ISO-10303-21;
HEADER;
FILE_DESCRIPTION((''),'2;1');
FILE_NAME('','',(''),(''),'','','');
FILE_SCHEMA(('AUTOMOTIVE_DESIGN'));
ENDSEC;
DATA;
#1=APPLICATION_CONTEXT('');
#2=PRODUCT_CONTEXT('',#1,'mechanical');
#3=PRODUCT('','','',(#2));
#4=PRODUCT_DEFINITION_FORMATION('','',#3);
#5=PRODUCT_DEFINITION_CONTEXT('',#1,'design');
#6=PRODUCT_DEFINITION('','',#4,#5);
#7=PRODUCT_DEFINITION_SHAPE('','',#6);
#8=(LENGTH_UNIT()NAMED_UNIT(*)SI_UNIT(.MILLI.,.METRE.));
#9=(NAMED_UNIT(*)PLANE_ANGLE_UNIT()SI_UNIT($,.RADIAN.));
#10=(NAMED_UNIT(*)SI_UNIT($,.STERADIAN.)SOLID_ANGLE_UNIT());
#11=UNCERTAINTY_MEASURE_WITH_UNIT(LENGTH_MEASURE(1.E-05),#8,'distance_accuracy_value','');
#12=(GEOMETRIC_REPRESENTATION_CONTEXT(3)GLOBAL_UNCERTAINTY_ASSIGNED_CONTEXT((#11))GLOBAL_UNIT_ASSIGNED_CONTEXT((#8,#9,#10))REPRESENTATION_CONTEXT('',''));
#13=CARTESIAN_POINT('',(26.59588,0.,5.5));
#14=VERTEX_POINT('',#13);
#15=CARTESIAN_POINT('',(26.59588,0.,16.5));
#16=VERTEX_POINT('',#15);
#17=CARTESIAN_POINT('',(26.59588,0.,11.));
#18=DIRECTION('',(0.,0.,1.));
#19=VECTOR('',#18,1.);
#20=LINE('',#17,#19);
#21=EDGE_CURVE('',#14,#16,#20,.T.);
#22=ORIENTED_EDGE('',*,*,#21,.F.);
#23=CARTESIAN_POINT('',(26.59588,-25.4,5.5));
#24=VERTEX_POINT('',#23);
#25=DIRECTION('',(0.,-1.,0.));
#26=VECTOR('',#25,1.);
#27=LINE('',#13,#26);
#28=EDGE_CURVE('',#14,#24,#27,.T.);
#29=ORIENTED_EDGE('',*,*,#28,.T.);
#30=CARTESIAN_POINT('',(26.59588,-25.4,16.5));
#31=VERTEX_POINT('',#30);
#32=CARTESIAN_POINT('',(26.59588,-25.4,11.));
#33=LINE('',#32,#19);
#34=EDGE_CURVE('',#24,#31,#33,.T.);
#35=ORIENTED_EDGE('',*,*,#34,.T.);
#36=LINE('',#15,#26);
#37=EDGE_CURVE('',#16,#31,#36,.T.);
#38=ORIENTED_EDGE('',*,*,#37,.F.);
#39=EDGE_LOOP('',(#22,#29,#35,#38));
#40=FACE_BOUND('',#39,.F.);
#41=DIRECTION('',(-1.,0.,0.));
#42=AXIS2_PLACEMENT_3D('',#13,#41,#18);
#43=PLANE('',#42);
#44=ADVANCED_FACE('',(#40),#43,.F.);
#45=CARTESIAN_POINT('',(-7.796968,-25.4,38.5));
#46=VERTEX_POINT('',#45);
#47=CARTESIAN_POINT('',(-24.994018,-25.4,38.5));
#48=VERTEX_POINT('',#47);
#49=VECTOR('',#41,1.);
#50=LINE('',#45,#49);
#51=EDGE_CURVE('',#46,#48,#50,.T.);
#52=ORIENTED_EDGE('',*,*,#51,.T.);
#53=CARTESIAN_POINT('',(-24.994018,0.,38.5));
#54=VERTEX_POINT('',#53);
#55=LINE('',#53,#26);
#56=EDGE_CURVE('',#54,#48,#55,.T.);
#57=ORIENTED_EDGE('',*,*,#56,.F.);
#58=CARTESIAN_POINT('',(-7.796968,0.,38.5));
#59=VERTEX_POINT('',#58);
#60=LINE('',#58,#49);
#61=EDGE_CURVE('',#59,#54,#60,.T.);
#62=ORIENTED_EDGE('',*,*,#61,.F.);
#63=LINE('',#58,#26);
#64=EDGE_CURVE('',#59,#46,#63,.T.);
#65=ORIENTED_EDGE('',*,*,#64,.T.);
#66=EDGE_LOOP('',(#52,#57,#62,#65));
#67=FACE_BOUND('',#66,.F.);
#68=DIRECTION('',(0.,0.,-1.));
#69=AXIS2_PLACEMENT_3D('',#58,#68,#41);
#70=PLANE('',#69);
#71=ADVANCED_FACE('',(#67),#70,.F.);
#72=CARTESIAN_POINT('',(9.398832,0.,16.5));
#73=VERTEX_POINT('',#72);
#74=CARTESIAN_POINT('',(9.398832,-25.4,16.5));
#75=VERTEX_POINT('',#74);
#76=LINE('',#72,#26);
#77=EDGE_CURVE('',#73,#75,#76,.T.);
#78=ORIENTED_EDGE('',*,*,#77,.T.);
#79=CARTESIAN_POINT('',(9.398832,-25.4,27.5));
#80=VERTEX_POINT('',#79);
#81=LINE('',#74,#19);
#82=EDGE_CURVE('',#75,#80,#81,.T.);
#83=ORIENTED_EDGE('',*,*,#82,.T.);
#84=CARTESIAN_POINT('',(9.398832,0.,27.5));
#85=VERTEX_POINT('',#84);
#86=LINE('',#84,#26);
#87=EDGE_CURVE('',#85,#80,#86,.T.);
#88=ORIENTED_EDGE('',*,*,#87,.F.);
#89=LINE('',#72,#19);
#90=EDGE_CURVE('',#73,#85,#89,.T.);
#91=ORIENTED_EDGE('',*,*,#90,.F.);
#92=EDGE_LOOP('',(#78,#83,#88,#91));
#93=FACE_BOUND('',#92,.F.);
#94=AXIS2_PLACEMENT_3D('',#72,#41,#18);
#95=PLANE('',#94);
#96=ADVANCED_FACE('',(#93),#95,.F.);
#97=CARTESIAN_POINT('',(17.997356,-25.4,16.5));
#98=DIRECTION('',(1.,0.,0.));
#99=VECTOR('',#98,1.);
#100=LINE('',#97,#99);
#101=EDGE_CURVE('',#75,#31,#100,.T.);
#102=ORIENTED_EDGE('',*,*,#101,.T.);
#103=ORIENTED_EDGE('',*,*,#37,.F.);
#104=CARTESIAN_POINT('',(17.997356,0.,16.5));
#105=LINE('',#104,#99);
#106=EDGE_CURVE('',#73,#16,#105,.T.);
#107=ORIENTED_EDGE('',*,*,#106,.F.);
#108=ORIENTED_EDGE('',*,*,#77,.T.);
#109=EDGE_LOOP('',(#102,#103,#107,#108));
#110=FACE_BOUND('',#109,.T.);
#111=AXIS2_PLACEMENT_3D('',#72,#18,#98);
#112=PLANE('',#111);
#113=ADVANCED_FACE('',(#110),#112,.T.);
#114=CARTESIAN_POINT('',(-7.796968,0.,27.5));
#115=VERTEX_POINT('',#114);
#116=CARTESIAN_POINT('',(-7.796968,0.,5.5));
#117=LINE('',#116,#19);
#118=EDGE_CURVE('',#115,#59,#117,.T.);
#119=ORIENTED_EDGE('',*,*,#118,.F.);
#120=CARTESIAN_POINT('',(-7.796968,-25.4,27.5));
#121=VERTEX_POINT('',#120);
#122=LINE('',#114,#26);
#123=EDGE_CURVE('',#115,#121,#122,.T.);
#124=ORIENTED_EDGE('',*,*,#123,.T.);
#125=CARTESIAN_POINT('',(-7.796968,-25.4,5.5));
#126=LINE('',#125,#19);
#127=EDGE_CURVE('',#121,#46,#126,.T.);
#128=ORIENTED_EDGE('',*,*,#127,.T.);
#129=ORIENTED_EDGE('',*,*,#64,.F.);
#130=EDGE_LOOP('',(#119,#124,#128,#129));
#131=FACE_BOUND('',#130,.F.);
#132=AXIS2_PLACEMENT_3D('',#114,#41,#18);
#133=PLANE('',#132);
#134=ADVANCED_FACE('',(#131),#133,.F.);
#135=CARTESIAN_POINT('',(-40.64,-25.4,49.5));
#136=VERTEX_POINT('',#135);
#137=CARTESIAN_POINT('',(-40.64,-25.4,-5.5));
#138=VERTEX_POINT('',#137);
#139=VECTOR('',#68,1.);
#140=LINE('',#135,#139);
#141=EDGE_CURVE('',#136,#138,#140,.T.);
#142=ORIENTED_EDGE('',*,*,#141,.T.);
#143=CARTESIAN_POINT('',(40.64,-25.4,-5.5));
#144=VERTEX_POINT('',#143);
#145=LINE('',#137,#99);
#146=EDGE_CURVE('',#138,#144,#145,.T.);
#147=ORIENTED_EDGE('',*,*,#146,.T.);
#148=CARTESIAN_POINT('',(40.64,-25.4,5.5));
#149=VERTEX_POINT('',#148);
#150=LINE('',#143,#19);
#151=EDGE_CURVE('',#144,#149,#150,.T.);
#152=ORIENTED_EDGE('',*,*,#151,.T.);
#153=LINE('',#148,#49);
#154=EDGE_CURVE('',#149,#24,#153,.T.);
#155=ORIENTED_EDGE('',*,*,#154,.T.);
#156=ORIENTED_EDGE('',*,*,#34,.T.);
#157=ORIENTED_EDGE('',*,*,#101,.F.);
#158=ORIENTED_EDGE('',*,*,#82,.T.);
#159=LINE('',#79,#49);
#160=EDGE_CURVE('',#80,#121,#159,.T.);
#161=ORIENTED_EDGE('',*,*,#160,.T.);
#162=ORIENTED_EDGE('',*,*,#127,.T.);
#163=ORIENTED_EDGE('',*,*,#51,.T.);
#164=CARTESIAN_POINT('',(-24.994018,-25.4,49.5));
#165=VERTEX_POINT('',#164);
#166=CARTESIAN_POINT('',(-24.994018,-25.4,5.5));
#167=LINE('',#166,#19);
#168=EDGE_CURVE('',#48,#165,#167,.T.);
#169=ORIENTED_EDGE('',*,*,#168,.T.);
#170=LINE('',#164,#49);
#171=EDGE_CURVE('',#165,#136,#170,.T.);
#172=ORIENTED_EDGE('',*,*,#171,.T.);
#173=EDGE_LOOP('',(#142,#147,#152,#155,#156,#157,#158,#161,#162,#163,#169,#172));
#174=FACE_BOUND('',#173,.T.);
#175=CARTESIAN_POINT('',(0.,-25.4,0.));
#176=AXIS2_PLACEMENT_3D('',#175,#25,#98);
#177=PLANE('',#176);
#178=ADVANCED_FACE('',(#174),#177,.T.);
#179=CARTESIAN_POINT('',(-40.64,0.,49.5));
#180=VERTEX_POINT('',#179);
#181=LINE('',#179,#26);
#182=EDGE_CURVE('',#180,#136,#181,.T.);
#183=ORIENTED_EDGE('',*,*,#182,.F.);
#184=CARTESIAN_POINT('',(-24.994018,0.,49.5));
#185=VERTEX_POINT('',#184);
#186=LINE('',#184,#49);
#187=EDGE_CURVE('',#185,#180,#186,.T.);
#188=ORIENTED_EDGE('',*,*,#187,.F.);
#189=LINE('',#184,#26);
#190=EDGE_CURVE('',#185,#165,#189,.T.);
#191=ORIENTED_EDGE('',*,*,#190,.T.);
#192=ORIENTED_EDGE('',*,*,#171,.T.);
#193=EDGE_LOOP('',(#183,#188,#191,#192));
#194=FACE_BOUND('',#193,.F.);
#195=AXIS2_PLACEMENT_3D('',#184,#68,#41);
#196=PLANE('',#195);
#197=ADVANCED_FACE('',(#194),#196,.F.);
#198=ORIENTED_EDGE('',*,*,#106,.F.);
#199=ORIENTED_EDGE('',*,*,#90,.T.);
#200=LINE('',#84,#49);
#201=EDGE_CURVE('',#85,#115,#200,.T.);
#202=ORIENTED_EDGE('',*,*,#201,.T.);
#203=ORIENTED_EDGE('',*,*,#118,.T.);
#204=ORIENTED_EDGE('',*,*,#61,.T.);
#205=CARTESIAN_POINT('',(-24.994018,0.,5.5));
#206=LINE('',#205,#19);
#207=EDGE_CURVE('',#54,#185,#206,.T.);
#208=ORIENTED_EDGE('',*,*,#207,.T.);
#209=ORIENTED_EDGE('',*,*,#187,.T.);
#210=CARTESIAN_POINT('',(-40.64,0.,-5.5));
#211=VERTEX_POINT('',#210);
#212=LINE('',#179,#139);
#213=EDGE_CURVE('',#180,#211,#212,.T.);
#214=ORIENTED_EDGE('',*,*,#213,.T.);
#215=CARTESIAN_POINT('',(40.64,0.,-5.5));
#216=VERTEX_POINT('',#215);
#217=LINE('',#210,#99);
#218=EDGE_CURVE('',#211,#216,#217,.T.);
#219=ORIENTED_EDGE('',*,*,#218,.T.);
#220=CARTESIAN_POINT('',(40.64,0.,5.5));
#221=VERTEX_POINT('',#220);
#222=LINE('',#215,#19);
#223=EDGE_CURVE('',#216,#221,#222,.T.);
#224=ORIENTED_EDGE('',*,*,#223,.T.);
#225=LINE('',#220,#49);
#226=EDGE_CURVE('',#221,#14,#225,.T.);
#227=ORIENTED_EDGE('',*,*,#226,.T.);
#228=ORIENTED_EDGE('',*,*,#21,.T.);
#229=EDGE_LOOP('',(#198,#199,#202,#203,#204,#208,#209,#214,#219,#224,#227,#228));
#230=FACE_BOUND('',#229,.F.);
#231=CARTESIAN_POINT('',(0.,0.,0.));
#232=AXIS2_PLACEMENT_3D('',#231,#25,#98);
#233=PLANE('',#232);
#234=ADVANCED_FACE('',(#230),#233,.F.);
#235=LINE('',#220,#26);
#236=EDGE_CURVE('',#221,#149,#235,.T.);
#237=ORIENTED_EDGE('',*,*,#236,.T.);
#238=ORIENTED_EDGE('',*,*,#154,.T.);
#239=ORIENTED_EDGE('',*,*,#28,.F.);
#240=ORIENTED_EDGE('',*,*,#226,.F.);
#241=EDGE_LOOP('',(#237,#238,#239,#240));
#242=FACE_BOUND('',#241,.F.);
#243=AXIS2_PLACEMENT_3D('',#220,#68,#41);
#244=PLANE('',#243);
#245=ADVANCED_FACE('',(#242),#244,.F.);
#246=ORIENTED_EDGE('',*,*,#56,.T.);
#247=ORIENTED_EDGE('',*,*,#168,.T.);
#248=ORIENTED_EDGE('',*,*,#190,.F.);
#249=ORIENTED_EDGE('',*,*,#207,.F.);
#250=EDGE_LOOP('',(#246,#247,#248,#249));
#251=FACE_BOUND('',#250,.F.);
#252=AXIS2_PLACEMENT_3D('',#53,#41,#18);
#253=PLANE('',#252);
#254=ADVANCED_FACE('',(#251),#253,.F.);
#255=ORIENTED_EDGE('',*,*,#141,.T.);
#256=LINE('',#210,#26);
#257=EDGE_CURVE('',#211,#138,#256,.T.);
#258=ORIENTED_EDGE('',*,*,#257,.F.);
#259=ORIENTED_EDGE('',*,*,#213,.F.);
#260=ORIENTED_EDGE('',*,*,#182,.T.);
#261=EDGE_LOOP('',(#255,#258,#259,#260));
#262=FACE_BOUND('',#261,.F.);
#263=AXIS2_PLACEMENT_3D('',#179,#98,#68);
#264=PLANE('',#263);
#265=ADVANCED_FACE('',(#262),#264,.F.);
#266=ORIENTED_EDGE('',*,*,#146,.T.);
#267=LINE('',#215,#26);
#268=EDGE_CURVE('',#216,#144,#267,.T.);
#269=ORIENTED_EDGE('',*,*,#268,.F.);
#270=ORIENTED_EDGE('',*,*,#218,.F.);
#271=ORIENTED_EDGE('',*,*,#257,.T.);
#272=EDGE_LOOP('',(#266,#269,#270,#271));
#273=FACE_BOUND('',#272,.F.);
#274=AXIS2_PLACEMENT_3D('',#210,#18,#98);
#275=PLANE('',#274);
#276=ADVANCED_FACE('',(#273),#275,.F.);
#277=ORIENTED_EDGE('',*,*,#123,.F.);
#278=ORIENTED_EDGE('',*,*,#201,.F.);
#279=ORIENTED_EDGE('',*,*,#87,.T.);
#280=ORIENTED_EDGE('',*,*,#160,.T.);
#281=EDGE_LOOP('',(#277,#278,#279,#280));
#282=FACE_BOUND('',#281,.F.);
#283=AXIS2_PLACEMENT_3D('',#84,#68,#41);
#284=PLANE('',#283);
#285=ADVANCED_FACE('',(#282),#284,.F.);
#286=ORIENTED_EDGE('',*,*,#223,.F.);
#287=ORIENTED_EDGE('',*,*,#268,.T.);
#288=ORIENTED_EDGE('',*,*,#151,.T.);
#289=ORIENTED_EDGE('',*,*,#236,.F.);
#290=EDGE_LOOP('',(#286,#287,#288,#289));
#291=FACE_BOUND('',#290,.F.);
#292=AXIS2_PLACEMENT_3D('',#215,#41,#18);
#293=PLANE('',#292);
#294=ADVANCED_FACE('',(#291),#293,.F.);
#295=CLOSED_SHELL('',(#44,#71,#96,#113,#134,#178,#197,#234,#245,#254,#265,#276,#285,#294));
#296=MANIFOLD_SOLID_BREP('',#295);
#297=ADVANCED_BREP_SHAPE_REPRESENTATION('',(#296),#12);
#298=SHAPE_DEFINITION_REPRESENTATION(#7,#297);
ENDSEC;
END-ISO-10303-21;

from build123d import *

# Parameters (mm, degrees)
F0_W     = 17.197048
F0_H     = 11
F1_DEPTH = 25.4


with BuildPart() as f1:
    # F0 (on Front) → F1 (new body)
    with BuildSketch(Plane.XZ):
        Polygon((-40.64, -5.5), (40.64, -5.5), (40.64, 5.5), (26.59588, 5.5), (9.398832, 5.5), (-7.796968, 5.5), (-24.994018, 5.5), (-40.64, 5.5), align=None)
        Polygon((-40.64, 49.5), (-40.64, 5.5), (-24.994018, 5.5), (-24.994018, 38.5), (-24.994018, 49.5), align=None)
        with Locations((17.997356, 11)):
            Rectangle(F0_W, F0_H)
        Polygon((-24.994018, 38.5), (-24.994018, 5.5), (-7.796968, 5.5), (-7.796968, 27.5), (-7.796968, 38.5), align=None)
        Polygon((-7.796968, 5.5), (9.398832, 5.5), (9.398832, 16.5), (9.398832, 27.5), (-7.796968, 27.5), align=None)
    extrude(amount=F1_DEPTH)


solid = f1.part
